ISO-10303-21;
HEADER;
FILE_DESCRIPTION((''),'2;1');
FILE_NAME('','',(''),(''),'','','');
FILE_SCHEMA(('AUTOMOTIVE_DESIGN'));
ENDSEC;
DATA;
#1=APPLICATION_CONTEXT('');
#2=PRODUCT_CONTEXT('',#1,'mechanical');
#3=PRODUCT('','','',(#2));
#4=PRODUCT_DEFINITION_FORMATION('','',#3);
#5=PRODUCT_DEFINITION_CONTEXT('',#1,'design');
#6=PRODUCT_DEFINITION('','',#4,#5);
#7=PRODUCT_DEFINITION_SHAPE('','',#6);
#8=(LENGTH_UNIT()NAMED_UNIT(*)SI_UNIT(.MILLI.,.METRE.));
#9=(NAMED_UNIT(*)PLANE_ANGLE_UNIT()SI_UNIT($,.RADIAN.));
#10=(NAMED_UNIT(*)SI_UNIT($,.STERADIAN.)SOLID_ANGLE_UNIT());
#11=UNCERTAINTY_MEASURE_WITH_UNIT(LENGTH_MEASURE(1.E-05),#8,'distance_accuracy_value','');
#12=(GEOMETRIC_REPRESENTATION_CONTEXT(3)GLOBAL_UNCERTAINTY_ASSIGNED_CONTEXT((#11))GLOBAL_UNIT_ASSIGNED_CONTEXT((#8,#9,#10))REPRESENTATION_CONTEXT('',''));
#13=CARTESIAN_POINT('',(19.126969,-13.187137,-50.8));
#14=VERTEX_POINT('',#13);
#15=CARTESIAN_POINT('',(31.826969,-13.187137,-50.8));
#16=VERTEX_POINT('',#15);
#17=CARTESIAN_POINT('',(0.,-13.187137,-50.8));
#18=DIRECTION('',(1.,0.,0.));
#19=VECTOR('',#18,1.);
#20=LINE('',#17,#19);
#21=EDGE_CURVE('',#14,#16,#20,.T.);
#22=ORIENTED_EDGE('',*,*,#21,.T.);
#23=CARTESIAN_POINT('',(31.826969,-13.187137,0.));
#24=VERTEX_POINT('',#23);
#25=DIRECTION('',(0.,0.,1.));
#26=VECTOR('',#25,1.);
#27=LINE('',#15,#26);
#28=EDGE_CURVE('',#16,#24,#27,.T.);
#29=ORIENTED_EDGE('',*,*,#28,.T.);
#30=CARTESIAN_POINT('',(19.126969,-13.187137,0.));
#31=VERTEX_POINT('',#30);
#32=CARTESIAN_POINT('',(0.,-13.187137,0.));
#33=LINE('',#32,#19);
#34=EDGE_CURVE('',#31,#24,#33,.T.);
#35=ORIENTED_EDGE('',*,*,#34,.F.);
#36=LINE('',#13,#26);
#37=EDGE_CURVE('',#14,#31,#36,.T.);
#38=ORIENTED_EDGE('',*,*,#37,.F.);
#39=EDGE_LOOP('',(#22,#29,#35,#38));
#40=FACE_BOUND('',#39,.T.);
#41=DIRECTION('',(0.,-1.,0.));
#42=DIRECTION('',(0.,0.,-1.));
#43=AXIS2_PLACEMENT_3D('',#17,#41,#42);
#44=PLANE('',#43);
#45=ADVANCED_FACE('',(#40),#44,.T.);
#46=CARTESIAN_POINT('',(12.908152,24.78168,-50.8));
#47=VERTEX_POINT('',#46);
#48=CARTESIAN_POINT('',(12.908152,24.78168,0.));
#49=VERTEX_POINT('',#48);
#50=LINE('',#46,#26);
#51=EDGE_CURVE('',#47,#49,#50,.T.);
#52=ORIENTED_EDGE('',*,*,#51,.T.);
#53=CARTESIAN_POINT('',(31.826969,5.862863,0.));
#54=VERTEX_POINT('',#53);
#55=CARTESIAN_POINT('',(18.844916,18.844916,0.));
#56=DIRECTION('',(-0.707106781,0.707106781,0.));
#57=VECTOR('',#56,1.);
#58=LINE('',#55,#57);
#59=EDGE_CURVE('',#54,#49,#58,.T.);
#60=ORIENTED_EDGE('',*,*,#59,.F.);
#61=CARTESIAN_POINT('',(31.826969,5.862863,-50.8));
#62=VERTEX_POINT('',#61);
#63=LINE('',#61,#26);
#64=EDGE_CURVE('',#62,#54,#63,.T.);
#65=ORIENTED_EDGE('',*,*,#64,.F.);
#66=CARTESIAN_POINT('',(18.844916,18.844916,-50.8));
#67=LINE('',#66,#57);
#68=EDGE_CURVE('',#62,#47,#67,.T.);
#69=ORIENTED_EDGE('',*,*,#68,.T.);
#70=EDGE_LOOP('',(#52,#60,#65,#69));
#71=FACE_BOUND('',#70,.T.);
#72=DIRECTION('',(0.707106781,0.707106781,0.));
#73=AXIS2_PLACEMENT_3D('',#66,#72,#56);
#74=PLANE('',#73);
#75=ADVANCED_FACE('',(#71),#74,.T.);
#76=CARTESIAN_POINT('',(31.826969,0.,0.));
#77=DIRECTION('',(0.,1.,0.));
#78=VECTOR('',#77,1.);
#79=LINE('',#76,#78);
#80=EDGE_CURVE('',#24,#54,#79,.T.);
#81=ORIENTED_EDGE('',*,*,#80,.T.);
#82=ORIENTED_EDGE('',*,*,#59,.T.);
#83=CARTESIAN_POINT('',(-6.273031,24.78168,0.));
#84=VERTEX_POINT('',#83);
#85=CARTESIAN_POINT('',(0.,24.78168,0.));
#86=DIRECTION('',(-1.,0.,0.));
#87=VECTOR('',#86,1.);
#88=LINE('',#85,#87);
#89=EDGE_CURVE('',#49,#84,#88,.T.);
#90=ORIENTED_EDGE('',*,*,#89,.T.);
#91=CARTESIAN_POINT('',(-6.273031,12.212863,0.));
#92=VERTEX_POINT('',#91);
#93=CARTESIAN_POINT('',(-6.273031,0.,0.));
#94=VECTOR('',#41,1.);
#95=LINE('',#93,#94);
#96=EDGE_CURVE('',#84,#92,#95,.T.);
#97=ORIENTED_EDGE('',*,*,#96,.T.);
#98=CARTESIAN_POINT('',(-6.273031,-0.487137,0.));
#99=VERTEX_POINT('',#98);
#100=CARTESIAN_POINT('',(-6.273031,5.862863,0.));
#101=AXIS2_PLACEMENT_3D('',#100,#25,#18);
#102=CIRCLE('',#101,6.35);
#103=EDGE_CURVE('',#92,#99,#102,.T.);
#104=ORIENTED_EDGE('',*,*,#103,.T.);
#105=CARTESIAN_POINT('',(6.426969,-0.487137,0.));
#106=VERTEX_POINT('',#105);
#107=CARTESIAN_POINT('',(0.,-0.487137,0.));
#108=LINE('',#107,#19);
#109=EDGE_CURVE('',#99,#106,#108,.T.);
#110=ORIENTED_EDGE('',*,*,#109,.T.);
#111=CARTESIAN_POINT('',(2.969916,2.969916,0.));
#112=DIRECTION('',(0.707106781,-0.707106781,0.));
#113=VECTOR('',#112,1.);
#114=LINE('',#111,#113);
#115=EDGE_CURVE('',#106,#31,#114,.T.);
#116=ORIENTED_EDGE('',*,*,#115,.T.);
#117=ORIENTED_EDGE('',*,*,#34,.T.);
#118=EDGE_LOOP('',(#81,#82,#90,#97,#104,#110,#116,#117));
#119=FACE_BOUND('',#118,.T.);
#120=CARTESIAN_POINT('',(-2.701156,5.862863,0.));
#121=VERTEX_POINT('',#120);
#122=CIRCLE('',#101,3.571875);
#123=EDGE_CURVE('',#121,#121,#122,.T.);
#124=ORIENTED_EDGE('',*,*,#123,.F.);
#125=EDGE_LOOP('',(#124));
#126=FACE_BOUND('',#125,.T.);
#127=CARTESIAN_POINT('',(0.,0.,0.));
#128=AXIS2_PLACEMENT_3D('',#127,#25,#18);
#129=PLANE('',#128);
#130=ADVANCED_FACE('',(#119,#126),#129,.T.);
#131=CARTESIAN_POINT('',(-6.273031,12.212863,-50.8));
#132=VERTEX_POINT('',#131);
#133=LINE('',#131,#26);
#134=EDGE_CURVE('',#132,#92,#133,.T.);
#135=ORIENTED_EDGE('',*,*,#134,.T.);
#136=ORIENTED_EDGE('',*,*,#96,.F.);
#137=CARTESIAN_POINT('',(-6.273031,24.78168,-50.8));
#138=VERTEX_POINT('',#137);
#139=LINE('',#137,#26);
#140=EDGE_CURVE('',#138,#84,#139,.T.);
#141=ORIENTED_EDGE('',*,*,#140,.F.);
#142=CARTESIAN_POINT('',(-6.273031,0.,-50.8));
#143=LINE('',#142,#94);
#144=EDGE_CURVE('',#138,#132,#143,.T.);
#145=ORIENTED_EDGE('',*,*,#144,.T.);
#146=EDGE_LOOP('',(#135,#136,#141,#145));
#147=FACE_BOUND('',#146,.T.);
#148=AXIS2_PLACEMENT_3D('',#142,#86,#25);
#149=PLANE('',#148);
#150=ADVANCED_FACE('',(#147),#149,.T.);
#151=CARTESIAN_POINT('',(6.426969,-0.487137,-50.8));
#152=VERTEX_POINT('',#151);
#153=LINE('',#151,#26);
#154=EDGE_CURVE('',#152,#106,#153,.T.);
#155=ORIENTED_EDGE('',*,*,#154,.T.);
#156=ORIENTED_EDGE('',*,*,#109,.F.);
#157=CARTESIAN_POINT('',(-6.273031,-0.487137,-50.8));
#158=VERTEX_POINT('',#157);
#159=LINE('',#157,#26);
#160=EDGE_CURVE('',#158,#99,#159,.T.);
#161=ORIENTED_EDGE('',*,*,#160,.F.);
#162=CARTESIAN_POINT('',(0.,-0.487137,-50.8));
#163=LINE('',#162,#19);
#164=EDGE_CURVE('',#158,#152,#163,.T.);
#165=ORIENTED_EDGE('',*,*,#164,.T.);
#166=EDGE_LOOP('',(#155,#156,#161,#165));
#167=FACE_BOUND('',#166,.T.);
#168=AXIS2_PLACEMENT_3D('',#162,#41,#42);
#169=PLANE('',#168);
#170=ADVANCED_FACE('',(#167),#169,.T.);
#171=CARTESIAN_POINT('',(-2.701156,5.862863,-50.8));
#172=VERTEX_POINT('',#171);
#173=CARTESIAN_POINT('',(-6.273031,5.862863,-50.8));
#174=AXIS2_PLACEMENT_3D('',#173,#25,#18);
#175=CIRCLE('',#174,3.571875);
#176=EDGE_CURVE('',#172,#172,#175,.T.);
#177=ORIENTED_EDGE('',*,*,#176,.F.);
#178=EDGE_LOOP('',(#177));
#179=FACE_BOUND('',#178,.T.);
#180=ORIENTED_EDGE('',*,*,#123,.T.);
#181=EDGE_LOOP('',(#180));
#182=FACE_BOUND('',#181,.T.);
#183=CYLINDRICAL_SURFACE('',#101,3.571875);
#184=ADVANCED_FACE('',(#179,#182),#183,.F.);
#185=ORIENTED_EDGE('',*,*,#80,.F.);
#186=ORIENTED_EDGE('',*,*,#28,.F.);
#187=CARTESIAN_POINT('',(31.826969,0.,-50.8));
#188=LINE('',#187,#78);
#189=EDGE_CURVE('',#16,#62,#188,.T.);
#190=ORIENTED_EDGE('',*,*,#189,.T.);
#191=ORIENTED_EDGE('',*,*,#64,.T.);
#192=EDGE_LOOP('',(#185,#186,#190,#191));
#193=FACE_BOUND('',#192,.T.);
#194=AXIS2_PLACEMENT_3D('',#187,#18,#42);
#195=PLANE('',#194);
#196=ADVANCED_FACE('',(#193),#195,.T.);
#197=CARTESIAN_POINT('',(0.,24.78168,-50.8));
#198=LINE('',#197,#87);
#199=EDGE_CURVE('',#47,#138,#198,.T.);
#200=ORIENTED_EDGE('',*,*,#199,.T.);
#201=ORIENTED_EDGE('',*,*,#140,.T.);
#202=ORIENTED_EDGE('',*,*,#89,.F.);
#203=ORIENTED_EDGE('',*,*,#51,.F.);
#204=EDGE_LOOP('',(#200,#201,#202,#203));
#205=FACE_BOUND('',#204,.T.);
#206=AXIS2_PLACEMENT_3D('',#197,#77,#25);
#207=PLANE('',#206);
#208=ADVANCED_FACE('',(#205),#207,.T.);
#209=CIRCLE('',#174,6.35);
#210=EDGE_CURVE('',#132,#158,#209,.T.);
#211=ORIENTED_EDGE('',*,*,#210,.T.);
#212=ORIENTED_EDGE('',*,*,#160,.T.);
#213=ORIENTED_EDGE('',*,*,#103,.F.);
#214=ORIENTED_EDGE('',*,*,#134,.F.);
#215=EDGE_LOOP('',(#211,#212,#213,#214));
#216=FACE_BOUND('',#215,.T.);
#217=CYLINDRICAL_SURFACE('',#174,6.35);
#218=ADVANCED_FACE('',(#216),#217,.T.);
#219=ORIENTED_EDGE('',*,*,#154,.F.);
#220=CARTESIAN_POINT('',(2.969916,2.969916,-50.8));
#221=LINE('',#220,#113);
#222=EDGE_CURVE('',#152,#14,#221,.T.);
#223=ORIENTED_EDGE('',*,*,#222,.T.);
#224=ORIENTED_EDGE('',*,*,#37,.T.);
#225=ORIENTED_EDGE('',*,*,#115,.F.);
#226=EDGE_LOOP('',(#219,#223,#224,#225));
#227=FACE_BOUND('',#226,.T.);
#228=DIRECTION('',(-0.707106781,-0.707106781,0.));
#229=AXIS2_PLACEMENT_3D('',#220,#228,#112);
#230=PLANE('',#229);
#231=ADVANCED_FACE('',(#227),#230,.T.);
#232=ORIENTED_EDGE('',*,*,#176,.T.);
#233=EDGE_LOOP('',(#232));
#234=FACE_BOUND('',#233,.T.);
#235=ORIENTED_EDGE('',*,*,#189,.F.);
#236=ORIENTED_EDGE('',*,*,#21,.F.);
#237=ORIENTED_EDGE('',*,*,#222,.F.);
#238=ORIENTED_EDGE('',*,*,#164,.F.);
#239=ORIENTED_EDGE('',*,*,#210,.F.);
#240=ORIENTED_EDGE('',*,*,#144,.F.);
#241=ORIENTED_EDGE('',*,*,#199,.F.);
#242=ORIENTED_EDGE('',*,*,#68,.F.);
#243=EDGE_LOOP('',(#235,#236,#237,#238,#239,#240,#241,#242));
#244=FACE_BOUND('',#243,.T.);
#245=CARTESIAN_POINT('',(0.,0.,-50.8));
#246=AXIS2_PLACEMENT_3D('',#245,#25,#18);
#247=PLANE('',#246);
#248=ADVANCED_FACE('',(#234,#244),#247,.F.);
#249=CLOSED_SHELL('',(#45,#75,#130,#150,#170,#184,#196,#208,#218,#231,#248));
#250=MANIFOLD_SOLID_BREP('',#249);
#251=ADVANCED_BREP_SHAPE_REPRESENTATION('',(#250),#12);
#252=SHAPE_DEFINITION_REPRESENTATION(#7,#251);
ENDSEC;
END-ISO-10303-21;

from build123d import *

# Parameters (mm, degrees)
BOSS_EXTRUDE1_DEPTH             = 50.8
F_9_32_0_28125_DIAMETER_HOLE1_D = 7.14375


with BuildPart() as part:
    # Sketch1 → Boss-Extrude1 (new body)
    with BuildSketch(Plane.XY):
        with BuildLine():
            ThreePointArc((0.076969069, 5.862862723), (-1.78290287, 1.372734663), (-6.273030931, -0.487137277))
            Line((-6.273030931, -0.487137277), (6.426969069, -0.487137277))
            Line((6.426969069, -0.487137277), (19.126969069, -13.187137277))
            Line((19.126969069, -13.187137277), (31.826969069, -13.187137277))
            Line((31.826969069, -13.187137277), (31.826969069, 5.862862723))
            Line((31.826969069, 5.862862723), (12.908151542, 24.781680251))
            Line((12.908151542, 24.781680251), (-6.273030931, 24.781680251))
            Line((-6.273030931, 24.781680251), (-6.273030931, 12.212862723))
            ThreePointArc((-6.273030931, 12.212862723), (-1.78290287, 10.352990784), (0.076969069, 5.862862723))
        make_face()
        with BuildLine():
            ThreePointArc((-6.273030931, 12.212862723), (-12.623030931, 5.862862723), (-6.273030931, -0.487137277))
            Line((-6.273030931, -0.487137277), (-6.273030931, 12.212862723))
        make_face()
        with BuildLine():
            Line((-6.273030931, 12.212862723), (-6.273030931, -0.487137277))
            ThreePointArc((-6.273030931, -0.487137277), (-1.78290287, 1.372734663), (0.076969069, 5.862862723))
            ThreePointArc((0.076969069, 5.862862723), (-1.78290287, 10.352990784), (-6.273030931, 12.212862723))
        make_face()
    extrude(amount=-BOSS_EXTRUDE1_DEPTH)

    # 9/32 (0.28125) Diameter Hole1 (through all)
    with Locations(Plane(origin=(-6.273030931, 5.862862723, 0), x_dir=(1, 0, 0), z_dir=(0, 0, 1))):
        with Locations((0, 0)):
            Hole(F_9_32_0_28125_DIAMETER_HOLE1_D / 2)


solid = part.part
